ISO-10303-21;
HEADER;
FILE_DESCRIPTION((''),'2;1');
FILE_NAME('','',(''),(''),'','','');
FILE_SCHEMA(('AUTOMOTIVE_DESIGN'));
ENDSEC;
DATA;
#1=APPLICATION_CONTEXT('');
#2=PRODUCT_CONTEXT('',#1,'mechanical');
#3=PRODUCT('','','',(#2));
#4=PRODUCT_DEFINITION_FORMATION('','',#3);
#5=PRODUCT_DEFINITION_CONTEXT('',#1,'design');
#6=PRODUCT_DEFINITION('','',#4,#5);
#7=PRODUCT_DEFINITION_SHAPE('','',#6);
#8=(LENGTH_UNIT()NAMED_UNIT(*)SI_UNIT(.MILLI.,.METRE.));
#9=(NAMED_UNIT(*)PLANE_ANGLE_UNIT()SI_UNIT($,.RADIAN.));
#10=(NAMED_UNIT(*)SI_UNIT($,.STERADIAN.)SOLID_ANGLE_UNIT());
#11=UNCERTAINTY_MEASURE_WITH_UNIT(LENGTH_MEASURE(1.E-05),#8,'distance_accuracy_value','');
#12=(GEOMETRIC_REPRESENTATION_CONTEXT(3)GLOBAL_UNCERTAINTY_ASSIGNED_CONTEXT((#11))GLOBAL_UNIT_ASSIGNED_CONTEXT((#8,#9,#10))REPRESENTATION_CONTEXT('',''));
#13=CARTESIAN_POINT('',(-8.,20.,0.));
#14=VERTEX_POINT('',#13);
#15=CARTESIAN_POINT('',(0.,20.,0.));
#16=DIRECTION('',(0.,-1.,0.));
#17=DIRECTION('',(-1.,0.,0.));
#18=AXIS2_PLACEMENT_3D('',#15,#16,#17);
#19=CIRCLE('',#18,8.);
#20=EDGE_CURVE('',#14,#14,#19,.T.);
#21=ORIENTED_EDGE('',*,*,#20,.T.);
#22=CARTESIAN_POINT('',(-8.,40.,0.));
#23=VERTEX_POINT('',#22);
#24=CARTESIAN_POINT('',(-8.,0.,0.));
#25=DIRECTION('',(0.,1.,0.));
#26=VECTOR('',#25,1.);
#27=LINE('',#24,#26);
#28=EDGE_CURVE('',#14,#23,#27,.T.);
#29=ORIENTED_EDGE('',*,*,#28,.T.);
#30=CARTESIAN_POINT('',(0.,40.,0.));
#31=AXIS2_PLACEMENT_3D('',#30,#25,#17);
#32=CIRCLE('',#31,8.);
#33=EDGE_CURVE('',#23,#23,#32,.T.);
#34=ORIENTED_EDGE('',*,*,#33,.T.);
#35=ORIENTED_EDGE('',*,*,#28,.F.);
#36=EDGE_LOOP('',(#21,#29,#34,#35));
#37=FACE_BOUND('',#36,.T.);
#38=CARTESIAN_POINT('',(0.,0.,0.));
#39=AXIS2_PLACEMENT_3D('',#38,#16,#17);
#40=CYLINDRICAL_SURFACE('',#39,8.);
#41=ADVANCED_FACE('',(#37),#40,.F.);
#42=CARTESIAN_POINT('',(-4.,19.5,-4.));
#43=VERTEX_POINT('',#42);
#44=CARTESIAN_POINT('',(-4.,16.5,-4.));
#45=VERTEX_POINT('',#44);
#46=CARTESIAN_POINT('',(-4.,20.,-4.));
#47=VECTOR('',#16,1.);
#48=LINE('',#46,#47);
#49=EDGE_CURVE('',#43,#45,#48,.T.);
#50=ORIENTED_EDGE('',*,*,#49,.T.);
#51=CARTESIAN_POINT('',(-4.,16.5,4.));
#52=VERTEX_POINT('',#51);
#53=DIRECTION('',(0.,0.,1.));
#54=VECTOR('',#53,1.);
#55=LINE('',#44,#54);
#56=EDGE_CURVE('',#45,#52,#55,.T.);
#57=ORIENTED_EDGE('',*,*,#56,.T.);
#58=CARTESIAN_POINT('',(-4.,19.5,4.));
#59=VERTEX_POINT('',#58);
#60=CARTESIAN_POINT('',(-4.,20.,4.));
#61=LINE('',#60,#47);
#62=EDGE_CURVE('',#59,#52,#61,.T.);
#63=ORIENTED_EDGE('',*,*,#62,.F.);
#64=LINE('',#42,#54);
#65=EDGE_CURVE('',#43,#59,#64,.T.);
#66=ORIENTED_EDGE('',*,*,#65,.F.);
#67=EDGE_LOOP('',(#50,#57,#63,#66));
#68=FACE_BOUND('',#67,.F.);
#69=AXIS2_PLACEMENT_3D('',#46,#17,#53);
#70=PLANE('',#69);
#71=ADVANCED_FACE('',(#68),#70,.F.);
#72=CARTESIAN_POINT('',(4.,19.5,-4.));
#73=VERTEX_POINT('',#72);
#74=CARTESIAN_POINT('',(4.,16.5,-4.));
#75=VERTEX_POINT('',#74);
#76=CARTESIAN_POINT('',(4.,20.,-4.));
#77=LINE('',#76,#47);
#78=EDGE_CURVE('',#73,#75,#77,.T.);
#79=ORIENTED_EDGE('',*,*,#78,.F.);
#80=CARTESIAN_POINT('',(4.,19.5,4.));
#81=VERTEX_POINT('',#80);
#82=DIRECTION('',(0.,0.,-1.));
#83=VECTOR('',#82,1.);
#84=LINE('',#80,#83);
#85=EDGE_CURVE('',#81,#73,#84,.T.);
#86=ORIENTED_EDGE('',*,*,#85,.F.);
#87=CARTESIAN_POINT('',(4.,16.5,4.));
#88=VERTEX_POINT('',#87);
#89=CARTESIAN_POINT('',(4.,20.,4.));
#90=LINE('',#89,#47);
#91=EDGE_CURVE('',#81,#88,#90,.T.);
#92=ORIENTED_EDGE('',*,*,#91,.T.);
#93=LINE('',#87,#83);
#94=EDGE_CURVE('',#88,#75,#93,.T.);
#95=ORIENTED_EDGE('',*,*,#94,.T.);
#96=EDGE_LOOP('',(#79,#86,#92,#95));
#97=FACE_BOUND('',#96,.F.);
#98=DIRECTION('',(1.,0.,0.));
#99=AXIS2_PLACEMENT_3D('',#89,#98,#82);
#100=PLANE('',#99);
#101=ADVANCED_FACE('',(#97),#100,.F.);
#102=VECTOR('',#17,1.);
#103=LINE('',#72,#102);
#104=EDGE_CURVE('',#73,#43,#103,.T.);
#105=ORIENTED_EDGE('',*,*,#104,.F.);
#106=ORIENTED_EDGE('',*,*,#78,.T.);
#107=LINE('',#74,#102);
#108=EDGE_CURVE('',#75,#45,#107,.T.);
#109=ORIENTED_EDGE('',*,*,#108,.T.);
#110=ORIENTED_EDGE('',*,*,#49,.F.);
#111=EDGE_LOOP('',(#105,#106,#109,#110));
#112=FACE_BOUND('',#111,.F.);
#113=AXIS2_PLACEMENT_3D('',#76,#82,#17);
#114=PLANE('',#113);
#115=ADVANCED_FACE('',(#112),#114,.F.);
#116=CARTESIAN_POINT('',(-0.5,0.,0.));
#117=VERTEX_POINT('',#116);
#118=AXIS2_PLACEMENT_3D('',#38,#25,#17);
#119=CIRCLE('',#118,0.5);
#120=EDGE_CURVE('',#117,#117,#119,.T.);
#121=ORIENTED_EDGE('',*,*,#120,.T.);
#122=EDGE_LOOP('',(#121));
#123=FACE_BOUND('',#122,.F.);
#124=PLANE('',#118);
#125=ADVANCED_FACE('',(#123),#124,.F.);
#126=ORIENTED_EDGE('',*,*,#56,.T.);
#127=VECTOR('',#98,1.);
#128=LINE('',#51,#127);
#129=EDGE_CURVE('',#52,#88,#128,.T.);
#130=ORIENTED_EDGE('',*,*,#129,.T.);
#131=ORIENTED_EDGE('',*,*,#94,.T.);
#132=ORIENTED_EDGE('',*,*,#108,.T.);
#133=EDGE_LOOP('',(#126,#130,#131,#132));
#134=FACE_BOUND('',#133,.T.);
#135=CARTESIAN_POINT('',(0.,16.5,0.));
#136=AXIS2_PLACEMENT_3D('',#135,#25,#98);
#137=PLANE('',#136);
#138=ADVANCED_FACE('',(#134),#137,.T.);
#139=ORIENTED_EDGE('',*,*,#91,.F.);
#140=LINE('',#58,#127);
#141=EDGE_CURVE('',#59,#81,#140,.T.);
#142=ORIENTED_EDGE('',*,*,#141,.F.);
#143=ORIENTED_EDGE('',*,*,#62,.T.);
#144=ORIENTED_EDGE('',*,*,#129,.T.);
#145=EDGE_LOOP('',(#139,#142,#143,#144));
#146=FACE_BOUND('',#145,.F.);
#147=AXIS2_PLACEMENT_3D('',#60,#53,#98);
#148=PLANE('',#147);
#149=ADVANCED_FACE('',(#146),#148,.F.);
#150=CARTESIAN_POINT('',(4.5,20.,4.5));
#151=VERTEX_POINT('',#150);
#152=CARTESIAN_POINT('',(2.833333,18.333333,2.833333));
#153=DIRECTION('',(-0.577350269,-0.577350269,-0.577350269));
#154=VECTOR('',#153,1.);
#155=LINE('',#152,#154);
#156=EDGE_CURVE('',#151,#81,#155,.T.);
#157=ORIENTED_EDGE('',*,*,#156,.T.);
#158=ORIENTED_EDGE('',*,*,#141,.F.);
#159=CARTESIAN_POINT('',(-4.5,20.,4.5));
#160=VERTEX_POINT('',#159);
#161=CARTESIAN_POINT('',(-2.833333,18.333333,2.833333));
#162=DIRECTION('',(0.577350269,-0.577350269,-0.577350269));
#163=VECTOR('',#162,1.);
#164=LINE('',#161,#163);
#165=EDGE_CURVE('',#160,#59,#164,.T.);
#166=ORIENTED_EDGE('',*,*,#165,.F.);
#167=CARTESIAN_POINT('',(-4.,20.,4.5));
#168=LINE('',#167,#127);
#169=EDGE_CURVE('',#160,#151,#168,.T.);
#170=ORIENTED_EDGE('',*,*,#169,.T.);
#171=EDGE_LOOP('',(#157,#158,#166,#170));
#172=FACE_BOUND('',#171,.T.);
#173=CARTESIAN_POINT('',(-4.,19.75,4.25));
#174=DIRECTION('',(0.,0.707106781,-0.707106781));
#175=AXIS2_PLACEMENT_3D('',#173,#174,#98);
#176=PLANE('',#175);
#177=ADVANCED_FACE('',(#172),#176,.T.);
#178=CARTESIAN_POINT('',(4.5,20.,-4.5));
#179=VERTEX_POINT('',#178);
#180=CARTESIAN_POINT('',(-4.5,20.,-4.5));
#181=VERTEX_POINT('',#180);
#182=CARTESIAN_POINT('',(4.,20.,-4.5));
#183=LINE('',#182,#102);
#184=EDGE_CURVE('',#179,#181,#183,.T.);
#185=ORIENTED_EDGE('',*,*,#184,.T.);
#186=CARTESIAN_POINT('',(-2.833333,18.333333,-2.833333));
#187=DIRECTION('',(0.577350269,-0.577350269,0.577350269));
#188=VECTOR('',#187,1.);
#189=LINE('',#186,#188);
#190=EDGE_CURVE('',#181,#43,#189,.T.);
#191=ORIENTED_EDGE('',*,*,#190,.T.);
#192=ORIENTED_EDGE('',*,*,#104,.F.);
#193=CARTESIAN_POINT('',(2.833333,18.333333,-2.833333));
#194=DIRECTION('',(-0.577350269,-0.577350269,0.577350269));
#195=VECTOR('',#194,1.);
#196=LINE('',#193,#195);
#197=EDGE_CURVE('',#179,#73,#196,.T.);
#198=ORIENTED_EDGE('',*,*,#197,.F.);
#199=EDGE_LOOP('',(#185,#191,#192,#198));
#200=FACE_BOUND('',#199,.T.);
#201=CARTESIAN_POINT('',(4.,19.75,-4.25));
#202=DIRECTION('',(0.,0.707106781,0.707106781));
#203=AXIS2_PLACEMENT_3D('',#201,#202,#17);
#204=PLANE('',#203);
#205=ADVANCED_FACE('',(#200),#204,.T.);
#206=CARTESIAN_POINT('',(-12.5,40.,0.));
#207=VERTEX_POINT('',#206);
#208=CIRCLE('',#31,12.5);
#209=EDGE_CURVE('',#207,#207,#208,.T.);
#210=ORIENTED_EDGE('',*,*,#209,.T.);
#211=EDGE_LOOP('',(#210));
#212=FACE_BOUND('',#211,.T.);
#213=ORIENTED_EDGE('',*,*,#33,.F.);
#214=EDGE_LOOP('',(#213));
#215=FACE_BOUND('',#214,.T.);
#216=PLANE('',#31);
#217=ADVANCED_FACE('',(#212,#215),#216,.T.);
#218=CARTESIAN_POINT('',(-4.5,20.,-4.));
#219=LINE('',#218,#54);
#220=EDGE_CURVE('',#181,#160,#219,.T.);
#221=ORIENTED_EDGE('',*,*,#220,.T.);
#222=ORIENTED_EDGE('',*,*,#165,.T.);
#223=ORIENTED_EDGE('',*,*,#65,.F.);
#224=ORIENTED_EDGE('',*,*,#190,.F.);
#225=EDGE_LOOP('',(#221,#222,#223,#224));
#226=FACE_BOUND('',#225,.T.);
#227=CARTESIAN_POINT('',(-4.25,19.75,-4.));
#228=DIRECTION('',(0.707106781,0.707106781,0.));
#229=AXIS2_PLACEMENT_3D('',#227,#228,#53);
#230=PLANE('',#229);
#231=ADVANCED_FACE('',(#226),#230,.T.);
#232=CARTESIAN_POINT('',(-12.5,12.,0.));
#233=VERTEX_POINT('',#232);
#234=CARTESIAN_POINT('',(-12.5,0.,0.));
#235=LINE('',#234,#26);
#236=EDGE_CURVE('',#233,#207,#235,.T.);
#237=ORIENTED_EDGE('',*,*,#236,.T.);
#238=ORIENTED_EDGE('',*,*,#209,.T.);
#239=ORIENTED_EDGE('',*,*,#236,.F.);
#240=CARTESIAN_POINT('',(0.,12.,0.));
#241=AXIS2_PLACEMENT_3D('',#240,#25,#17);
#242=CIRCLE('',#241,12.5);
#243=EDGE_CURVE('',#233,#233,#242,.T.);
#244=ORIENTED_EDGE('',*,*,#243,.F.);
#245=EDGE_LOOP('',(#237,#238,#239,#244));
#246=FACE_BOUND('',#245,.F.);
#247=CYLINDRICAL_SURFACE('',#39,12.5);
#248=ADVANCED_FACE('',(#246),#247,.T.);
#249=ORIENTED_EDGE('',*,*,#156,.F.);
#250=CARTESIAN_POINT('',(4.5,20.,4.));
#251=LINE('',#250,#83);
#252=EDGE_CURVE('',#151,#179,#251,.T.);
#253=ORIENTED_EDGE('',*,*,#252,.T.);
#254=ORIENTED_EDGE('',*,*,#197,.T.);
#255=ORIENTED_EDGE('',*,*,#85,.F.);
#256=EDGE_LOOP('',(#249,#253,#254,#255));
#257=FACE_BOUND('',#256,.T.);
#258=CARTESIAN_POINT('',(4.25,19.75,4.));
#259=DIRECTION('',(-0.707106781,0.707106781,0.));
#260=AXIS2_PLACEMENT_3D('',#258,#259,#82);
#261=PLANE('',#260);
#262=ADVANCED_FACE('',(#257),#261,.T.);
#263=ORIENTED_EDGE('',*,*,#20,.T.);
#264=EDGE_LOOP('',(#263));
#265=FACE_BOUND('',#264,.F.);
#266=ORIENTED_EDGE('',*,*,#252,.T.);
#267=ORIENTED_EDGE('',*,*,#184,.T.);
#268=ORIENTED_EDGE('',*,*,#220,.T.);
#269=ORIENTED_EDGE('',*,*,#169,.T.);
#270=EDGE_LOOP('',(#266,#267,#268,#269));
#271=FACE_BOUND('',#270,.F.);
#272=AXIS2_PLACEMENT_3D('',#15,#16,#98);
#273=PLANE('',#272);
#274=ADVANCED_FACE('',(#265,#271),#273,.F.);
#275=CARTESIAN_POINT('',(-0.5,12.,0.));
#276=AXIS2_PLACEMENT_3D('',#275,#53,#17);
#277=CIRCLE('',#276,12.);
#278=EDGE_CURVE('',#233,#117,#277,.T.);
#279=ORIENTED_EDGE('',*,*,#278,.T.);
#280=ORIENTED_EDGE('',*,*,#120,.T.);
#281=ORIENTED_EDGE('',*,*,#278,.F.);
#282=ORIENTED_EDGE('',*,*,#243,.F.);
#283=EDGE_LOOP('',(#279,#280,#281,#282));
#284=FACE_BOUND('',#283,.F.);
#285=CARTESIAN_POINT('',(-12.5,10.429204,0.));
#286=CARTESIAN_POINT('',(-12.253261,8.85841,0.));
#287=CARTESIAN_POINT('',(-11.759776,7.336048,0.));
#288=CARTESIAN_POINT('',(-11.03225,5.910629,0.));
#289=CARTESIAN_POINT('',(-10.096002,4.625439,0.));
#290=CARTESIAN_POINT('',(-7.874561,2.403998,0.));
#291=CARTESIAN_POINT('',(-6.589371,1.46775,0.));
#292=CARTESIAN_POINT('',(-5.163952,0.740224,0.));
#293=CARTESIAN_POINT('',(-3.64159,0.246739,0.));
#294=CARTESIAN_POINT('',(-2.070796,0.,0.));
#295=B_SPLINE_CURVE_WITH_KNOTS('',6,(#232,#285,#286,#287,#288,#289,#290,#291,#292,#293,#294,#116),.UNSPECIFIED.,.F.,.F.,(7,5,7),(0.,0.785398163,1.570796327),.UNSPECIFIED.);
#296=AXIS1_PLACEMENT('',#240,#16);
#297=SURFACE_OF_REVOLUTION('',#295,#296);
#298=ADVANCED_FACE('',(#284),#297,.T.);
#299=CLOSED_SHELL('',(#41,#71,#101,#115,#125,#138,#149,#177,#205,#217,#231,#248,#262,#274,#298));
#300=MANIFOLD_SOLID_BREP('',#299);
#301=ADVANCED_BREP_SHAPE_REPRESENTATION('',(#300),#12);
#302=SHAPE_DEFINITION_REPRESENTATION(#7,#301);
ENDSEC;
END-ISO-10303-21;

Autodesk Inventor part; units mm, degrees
ref_plane "YZ Plane" through (0, 0, 0) normal (1, 0, 0) x (0, 1, 0)
ref_plane "XZ Plane" through (0, 0, 0) normal (0, 1, 0) x (-1, 0, 0)
ref_plane "XY Plane" through (0, 0, 0) normal (0, 0, 1) x (1, 0, 0)
sketch "Szkic1" plane through (0, 0, 0) normal (0, 1, 0) x (-1, 0, 0)
  circle A0 centre (0, 0) radius 8
  circle A1 centre (0, 0) radius 12.5
  dimension "d0" = 16
  dimension "d1" = 25
extrude "Wyciągnięcie proste1" add sketch "Szkic1" along normal blind 40
sketch "Szkic2" plane through (0, 0, 0) normal (0, -1, 0) x (1, 0, 0)
  circle A0 centre (0, 0) radius 8 projected
  circle A1 centre (0, 0) radius 8 projected
  circle A2 centre (0, 0) radius 12.5 projected
extrude "Wyciągnięcie proste2" add sketch "Szkic2" against normal blind 20 contours A0
fillet "Zaokrąglenie1" radius 12 1 edges at (12.5, 0, 0)
sketch "Szkic3" plane through (0, 20, 0) normal (0, 1, 0) x (1, 0, 0)
  circle A0 centre (0, 0) radius 8 projected
  line L0 (-4, -4) -> (4, -4)
  line L1 (4, -4) -> (4, 4)
  line L2 (4, 4) -> (-4, 4)
  line L3 (-4, 4) -> (-4, -4)
  line L4 (-4, -4) -> (4, 4) construction
  line L5 (4, -4) -> (-4, 4) construction
  dimension "d7" = 8
  dimension "d8" = 8
extrude "Wyciągnięcie proste3" cut sketch "Szkic3" against normal blind 3.5 contours L3 L2 L1 L0
chamfer "Faza1" distance 0.5 angle 45 4 edges at (4, 20, 0) (0, 20, -4) (0, 20, 4) (-4, 20, 0)
properties part number "koncowka do laski - zaokraglona"
